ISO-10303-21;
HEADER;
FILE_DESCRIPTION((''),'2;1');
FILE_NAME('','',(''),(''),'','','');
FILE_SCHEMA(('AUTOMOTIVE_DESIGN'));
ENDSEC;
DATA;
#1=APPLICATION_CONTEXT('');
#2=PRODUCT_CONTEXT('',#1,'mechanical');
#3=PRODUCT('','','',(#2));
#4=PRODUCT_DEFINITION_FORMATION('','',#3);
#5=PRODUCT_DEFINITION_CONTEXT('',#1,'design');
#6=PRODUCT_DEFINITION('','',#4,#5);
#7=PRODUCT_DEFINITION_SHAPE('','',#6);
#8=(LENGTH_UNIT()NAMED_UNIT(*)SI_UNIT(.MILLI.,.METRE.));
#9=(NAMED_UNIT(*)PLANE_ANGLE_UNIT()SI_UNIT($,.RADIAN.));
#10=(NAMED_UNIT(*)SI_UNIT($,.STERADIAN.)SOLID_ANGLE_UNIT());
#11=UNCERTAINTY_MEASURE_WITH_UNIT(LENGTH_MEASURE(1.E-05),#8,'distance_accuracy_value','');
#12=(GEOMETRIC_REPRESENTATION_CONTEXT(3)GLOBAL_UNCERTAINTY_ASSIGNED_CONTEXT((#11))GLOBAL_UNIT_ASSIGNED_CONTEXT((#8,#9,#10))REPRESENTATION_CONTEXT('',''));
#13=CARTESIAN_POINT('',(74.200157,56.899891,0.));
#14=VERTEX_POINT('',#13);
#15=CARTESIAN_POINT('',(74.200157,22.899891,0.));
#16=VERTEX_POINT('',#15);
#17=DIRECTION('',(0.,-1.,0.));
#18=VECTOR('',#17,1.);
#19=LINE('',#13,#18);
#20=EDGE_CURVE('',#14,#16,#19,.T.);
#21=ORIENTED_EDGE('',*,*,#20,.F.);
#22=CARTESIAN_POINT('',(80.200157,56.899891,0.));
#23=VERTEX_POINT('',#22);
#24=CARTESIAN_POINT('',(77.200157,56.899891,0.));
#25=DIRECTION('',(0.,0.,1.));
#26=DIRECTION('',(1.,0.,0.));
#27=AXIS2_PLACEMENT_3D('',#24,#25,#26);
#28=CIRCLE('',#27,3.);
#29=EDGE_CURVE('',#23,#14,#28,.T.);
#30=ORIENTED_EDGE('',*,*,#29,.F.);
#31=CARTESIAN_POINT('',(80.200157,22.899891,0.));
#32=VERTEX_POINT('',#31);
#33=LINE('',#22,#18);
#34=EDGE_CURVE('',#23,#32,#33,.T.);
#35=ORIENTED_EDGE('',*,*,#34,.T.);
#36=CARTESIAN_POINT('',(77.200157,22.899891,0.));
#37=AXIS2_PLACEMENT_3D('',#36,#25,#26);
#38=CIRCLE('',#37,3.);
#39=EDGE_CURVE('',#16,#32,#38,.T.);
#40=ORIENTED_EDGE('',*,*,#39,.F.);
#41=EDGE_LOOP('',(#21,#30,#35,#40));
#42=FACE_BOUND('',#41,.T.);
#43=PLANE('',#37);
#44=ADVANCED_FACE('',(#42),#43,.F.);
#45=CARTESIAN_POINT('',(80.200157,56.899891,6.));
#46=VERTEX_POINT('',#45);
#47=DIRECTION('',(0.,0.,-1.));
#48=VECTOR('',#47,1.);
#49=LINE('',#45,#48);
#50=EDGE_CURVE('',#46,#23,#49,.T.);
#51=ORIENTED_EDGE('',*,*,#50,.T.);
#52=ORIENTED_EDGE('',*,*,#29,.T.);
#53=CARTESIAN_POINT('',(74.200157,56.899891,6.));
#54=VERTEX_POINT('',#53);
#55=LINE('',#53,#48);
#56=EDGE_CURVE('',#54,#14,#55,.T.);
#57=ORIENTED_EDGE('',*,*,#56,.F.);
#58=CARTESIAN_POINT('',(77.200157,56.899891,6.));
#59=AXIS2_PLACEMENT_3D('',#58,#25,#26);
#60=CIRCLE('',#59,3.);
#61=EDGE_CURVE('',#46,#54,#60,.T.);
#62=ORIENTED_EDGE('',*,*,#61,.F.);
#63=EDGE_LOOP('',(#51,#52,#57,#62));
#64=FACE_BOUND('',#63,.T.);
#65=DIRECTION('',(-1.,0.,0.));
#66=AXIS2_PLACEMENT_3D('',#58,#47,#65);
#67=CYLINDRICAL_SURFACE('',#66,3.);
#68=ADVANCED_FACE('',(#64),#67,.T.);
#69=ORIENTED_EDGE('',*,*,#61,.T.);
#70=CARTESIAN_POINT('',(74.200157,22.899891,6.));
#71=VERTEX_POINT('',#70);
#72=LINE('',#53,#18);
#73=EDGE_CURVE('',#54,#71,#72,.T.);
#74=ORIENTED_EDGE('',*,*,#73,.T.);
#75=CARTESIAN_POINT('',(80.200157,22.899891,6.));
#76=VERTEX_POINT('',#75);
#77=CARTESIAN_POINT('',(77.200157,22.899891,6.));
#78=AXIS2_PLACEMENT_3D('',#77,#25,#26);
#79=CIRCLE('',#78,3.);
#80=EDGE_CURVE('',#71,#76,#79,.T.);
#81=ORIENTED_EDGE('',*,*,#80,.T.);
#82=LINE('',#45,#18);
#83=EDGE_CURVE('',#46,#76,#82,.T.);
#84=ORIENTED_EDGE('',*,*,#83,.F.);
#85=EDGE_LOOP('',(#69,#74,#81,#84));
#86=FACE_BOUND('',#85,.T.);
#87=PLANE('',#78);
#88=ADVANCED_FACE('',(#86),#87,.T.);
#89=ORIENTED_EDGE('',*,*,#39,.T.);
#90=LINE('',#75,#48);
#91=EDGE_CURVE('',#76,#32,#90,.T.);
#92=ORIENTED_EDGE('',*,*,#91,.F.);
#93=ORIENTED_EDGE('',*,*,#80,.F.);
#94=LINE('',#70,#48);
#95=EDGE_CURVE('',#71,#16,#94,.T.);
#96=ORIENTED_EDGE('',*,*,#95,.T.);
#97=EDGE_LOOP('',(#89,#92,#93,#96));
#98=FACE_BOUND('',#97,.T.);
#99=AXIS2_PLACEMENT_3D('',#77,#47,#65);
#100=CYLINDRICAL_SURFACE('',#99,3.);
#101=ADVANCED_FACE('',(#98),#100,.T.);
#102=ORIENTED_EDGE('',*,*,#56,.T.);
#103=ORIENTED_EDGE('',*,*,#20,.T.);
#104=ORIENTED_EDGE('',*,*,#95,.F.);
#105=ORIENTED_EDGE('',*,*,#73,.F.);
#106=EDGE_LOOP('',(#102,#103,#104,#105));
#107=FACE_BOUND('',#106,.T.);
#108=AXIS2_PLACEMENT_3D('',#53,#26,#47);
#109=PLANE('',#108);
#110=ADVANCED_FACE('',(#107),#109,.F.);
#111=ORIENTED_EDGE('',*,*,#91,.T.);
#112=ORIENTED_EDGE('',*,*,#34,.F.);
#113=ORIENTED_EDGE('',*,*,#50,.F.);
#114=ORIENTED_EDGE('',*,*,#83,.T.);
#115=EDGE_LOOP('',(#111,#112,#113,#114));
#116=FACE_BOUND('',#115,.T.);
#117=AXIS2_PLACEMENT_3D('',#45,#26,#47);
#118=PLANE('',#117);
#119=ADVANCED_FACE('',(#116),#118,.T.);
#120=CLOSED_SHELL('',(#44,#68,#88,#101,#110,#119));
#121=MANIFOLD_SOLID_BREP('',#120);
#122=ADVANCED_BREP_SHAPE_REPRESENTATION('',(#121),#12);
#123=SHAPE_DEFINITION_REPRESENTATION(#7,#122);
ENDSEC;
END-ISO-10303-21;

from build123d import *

# Parameters (mm, degrees)
BOSS_EXTRUDE1_DEPTH = 6


with BuildPart() as part:
    # Sketch1 → Boss-Extrude1 (new body)
    with BuildSketch(Plane.XY):
        with BuildLine():
            Line((74.200156848, 56.899891413), (74.200156848, 22.899891413))
            ThreePointArc((74.200156848, 22.899891413), (77.200156848, 19.899891413), (80.200156848, 22.899891413))
            Line((80.200156848, 22.899891413), (80.200156848, 56.899891413))
            ThreePointArc((80.200156848, 56.899891413), (77.200156848, 59.899891413), (74.200156848, 56.899891413))
        make_face()
    extrude(amount=BOSS_EXTRUDE1_DEPTH)


solid = part.part
